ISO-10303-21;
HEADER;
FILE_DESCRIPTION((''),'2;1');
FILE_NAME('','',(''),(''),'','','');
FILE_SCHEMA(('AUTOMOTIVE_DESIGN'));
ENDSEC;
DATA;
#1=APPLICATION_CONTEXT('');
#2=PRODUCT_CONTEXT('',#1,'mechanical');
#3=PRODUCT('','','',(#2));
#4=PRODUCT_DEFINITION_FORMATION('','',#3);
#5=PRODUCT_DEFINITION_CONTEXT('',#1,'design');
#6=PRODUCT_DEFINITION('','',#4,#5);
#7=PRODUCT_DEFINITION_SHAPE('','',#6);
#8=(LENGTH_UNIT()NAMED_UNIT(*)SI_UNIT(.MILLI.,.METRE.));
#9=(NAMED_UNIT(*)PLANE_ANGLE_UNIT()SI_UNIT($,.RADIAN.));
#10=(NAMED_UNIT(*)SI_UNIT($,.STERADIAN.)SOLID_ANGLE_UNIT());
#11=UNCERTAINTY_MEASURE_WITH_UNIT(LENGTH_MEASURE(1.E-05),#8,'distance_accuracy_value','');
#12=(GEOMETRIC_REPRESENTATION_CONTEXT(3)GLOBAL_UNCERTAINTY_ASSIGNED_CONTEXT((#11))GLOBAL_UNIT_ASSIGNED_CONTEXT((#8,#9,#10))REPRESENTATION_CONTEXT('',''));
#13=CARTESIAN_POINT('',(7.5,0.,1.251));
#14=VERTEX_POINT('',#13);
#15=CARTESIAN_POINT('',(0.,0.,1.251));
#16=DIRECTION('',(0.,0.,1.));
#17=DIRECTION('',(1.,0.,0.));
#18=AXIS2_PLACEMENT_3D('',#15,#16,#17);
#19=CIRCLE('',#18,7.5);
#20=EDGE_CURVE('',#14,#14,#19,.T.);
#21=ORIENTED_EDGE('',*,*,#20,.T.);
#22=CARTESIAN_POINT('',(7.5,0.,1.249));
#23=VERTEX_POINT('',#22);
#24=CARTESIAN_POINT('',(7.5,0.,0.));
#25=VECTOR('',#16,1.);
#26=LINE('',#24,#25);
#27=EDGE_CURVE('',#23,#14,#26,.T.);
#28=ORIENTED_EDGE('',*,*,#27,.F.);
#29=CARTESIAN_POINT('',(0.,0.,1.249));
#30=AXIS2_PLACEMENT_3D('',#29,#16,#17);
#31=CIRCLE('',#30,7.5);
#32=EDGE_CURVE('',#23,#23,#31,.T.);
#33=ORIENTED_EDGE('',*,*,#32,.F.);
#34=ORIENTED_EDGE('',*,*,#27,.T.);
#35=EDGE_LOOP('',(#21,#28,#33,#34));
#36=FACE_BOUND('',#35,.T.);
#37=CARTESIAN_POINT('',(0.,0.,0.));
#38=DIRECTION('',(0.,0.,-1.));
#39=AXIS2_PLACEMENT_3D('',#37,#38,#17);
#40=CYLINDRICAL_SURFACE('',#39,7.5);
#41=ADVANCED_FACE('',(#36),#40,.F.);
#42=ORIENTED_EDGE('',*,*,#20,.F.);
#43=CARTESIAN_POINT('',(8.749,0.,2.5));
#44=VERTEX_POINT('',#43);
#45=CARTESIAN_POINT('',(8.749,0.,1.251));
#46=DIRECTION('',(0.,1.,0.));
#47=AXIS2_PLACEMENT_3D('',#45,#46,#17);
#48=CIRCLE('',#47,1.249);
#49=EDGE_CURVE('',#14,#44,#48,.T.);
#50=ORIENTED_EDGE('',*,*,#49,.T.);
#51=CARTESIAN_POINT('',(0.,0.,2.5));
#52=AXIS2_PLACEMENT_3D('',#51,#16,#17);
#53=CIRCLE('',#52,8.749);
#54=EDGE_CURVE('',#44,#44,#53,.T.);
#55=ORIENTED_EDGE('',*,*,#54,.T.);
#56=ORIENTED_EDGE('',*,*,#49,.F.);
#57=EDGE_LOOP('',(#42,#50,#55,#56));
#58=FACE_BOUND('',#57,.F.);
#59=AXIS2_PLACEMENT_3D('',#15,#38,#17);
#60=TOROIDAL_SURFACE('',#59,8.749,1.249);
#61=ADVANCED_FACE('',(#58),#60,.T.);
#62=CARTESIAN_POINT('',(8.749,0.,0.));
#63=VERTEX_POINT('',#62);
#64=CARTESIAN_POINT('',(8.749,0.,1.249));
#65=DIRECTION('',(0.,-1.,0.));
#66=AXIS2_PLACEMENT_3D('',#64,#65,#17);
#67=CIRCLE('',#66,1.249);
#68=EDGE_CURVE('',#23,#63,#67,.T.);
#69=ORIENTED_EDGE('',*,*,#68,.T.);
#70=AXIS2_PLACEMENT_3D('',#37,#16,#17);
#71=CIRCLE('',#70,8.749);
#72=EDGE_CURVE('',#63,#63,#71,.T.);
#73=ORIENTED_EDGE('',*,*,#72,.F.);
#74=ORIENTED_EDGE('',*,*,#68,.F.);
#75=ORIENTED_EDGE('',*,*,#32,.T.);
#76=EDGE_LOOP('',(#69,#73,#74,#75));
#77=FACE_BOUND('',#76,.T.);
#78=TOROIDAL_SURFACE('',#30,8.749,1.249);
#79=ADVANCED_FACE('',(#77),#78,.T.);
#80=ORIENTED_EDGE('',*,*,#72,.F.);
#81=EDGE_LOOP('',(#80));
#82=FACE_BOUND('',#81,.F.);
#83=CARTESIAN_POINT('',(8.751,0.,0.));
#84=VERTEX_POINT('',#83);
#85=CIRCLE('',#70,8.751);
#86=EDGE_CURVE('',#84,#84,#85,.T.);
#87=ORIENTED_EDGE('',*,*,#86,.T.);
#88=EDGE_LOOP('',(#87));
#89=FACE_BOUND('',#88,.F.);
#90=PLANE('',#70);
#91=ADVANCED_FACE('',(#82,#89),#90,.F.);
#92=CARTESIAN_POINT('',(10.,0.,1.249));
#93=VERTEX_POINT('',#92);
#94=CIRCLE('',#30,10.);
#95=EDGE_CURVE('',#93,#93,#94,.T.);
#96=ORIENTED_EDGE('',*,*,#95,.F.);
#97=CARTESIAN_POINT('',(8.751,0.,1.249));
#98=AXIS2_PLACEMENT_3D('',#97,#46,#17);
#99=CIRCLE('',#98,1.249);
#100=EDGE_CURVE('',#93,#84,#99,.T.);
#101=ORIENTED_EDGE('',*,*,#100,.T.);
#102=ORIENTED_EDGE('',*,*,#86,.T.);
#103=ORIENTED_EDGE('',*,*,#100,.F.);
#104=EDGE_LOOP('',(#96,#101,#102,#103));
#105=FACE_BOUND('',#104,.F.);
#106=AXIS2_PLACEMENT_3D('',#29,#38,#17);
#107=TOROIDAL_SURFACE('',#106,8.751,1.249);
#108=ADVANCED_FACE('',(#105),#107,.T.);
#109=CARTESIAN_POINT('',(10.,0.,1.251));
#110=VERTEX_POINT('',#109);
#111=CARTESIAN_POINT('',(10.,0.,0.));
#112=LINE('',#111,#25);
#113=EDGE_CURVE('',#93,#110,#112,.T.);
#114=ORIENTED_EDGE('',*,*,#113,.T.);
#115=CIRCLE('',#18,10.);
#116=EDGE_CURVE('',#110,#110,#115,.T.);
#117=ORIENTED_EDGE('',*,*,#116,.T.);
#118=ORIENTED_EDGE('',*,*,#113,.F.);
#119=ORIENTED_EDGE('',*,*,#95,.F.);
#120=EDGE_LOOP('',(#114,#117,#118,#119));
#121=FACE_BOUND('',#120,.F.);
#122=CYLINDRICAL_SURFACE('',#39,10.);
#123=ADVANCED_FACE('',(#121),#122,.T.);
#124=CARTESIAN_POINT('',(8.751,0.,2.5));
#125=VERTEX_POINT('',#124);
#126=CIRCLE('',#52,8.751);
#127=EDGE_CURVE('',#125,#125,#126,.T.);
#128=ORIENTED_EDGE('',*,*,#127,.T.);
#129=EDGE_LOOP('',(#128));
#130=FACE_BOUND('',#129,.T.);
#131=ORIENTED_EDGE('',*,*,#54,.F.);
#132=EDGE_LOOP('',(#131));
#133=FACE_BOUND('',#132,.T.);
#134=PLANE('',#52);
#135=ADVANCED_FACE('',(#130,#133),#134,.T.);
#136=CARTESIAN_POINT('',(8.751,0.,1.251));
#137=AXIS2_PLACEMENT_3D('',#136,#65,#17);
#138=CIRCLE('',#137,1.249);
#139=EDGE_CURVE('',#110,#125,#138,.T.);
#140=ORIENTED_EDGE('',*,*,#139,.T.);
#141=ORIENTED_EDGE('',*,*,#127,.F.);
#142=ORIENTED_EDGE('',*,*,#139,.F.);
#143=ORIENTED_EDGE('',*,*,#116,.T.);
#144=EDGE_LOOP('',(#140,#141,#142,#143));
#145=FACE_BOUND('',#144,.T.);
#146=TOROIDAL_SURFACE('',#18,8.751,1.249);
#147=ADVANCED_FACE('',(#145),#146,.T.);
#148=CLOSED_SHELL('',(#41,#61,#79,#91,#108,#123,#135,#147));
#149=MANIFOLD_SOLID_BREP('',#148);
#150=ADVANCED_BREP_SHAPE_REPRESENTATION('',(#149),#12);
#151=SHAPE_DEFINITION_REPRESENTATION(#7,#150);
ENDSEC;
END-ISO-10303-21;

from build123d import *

# Parameters (mm, degrees)
SKETCH_R   = 10
SKETCH_R_2 = 7.5
PAD_DEPTH  = 2.5
FILLET_R   = 1.249


with BuildPart() as part:
    # Sketch → Pad (new body)
    with BuildSketch(Plane.XY):
        Circle(SKETCH_R)
        Circle(SKETCH_R_2, mode=Mode.SUBTRACT)
    extrude(amount=PAD_DEPTH)

    # Fillet
    fillet_edges = [part.edges().sort_by_distance(p)[0] for p in [
        (-7.5, 0, 2.5),
        (-7.5, 0, 0),
        (-10, 0, 2.5),
        (-10, 0, 0),
    ]]
    fillet(fillet_edges, radius=FILLET_R)


solid = part.part
